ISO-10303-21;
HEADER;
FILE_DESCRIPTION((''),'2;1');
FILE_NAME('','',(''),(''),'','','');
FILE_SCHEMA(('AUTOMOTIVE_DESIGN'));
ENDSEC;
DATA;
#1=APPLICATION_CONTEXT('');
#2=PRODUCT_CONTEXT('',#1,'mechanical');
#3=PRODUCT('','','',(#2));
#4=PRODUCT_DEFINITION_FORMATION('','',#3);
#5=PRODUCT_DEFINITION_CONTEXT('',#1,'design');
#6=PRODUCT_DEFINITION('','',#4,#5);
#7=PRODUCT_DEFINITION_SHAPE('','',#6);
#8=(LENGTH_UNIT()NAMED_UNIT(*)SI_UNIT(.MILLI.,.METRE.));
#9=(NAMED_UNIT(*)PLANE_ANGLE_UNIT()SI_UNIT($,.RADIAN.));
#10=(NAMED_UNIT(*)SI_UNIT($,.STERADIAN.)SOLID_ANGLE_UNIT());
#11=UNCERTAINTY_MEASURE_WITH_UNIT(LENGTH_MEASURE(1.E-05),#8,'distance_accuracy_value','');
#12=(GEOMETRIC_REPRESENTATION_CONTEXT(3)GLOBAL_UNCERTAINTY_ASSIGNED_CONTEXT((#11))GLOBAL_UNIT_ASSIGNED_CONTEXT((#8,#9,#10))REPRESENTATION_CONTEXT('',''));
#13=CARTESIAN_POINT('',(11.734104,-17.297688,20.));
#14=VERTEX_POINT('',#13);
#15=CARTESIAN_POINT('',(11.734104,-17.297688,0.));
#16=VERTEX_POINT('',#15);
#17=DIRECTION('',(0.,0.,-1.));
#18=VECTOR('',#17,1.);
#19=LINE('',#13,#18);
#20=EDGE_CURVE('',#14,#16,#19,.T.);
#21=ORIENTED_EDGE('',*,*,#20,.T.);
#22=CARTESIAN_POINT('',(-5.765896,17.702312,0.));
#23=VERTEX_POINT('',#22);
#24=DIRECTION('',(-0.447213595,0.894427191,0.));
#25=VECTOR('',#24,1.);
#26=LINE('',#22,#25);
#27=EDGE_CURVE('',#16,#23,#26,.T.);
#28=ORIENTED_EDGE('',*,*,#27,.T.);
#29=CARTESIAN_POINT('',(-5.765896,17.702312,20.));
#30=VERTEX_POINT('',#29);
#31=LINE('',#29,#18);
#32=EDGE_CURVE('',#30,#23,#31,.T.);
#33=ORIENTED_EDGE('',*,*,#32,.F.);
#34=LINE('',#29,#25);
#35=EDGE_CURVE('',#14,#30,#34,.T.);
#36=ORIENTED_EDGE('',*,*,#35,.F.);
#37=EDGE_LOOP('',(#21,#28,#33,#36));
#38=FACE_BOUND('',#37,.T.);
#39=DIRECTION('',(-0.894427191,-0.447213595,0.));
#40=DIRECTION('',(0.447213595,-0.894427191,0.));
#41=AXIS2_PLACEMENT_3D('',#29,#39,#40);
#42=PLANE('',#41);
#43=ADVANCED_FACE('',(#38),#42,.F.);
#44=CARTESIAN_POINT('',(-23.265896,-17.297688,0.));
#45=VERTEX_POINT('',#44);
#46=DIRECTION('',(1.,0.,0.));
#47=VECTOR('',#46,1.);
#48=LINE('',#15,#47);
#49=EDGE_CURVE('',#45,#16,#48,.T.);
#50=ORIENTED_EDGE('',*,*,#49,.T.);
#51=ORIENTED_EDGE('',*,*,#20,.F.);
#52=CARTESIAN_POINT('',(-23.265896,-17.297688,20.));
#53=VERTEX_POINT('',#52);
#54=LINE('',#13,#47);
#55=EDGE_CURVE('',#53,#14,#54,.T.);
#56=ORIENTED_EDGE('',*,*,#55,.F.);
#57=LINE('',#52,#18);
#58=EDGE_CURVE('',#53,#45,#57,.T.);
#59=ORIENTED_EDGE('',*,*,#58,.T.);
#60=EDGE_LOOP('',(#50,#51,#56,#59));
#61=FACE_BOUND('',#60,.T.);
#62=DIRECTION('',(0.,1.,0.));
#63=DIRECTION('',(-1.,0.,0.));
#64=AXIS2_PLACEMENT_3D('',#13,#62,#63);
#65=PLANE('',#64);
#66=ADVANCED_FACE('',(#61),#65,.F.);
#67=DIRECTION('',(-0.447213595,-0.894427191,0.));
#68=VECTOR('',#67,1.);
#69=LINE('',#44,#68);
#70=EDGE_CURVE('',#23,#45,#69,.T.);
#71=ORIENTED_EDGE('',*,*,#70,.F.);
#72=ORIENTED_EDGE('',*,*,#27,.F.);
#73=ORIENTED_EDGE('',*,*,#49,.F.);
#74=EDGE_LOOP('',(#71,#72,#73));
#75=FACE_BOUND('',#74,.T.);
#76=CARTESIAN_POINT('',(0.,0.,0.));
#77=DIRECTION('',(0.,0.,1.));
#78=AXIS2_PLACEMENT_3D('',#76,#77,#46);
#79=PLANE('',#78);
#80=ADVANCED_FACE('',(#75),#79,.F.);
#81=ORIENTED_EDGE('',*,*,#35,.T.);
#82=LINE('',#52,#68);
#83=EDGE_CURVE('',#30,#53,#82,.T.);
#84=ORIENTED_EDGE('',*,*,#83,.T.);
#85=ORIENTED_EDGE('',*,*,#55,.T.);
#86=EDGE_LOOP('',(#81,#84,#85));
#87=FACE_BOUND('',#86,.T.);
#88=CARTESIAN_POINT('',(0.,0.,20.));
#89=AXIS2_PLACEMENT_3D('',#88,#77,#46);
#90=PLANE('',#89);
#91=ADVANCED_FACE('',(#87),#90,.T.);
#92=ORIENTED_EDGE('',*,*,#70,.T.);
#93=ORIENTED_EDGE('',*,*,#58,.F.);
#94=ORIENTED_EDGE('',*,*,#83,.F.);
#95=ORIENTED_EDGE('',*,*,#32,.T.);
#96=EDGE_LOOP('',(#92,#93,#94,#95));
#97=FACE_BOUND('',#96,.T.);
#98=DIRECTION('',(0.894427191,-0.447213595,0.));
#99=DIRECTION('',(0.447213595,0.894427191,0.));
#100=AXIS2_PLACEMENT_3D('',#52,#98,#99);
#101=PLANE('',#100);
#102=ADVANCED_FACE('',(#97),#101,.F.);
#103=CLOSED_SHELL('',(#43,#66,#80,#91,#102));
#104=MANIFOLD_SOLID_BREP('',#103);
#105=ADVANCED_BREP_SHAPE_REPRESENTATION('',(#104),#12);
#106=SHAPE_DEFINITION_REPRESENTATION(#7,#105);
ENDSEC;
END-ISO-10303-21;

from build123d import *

# Parameters (mm, degrees)
BOSS_EXTRUDE1_DEPTH = 20


with BuildPart() as part:
    # Sketch1 → Boss-Extrude1 (new body)
    with BuildSketch(Plane.XY):
        Polygon((-5.765895954, 17.702312139), (11.734104046, -17.297687861), (-23.265895954, -17.297687861), align=None)
    extrude(amount=BOSS_EXTRUDE1_DEPTH)


solid = part.part
